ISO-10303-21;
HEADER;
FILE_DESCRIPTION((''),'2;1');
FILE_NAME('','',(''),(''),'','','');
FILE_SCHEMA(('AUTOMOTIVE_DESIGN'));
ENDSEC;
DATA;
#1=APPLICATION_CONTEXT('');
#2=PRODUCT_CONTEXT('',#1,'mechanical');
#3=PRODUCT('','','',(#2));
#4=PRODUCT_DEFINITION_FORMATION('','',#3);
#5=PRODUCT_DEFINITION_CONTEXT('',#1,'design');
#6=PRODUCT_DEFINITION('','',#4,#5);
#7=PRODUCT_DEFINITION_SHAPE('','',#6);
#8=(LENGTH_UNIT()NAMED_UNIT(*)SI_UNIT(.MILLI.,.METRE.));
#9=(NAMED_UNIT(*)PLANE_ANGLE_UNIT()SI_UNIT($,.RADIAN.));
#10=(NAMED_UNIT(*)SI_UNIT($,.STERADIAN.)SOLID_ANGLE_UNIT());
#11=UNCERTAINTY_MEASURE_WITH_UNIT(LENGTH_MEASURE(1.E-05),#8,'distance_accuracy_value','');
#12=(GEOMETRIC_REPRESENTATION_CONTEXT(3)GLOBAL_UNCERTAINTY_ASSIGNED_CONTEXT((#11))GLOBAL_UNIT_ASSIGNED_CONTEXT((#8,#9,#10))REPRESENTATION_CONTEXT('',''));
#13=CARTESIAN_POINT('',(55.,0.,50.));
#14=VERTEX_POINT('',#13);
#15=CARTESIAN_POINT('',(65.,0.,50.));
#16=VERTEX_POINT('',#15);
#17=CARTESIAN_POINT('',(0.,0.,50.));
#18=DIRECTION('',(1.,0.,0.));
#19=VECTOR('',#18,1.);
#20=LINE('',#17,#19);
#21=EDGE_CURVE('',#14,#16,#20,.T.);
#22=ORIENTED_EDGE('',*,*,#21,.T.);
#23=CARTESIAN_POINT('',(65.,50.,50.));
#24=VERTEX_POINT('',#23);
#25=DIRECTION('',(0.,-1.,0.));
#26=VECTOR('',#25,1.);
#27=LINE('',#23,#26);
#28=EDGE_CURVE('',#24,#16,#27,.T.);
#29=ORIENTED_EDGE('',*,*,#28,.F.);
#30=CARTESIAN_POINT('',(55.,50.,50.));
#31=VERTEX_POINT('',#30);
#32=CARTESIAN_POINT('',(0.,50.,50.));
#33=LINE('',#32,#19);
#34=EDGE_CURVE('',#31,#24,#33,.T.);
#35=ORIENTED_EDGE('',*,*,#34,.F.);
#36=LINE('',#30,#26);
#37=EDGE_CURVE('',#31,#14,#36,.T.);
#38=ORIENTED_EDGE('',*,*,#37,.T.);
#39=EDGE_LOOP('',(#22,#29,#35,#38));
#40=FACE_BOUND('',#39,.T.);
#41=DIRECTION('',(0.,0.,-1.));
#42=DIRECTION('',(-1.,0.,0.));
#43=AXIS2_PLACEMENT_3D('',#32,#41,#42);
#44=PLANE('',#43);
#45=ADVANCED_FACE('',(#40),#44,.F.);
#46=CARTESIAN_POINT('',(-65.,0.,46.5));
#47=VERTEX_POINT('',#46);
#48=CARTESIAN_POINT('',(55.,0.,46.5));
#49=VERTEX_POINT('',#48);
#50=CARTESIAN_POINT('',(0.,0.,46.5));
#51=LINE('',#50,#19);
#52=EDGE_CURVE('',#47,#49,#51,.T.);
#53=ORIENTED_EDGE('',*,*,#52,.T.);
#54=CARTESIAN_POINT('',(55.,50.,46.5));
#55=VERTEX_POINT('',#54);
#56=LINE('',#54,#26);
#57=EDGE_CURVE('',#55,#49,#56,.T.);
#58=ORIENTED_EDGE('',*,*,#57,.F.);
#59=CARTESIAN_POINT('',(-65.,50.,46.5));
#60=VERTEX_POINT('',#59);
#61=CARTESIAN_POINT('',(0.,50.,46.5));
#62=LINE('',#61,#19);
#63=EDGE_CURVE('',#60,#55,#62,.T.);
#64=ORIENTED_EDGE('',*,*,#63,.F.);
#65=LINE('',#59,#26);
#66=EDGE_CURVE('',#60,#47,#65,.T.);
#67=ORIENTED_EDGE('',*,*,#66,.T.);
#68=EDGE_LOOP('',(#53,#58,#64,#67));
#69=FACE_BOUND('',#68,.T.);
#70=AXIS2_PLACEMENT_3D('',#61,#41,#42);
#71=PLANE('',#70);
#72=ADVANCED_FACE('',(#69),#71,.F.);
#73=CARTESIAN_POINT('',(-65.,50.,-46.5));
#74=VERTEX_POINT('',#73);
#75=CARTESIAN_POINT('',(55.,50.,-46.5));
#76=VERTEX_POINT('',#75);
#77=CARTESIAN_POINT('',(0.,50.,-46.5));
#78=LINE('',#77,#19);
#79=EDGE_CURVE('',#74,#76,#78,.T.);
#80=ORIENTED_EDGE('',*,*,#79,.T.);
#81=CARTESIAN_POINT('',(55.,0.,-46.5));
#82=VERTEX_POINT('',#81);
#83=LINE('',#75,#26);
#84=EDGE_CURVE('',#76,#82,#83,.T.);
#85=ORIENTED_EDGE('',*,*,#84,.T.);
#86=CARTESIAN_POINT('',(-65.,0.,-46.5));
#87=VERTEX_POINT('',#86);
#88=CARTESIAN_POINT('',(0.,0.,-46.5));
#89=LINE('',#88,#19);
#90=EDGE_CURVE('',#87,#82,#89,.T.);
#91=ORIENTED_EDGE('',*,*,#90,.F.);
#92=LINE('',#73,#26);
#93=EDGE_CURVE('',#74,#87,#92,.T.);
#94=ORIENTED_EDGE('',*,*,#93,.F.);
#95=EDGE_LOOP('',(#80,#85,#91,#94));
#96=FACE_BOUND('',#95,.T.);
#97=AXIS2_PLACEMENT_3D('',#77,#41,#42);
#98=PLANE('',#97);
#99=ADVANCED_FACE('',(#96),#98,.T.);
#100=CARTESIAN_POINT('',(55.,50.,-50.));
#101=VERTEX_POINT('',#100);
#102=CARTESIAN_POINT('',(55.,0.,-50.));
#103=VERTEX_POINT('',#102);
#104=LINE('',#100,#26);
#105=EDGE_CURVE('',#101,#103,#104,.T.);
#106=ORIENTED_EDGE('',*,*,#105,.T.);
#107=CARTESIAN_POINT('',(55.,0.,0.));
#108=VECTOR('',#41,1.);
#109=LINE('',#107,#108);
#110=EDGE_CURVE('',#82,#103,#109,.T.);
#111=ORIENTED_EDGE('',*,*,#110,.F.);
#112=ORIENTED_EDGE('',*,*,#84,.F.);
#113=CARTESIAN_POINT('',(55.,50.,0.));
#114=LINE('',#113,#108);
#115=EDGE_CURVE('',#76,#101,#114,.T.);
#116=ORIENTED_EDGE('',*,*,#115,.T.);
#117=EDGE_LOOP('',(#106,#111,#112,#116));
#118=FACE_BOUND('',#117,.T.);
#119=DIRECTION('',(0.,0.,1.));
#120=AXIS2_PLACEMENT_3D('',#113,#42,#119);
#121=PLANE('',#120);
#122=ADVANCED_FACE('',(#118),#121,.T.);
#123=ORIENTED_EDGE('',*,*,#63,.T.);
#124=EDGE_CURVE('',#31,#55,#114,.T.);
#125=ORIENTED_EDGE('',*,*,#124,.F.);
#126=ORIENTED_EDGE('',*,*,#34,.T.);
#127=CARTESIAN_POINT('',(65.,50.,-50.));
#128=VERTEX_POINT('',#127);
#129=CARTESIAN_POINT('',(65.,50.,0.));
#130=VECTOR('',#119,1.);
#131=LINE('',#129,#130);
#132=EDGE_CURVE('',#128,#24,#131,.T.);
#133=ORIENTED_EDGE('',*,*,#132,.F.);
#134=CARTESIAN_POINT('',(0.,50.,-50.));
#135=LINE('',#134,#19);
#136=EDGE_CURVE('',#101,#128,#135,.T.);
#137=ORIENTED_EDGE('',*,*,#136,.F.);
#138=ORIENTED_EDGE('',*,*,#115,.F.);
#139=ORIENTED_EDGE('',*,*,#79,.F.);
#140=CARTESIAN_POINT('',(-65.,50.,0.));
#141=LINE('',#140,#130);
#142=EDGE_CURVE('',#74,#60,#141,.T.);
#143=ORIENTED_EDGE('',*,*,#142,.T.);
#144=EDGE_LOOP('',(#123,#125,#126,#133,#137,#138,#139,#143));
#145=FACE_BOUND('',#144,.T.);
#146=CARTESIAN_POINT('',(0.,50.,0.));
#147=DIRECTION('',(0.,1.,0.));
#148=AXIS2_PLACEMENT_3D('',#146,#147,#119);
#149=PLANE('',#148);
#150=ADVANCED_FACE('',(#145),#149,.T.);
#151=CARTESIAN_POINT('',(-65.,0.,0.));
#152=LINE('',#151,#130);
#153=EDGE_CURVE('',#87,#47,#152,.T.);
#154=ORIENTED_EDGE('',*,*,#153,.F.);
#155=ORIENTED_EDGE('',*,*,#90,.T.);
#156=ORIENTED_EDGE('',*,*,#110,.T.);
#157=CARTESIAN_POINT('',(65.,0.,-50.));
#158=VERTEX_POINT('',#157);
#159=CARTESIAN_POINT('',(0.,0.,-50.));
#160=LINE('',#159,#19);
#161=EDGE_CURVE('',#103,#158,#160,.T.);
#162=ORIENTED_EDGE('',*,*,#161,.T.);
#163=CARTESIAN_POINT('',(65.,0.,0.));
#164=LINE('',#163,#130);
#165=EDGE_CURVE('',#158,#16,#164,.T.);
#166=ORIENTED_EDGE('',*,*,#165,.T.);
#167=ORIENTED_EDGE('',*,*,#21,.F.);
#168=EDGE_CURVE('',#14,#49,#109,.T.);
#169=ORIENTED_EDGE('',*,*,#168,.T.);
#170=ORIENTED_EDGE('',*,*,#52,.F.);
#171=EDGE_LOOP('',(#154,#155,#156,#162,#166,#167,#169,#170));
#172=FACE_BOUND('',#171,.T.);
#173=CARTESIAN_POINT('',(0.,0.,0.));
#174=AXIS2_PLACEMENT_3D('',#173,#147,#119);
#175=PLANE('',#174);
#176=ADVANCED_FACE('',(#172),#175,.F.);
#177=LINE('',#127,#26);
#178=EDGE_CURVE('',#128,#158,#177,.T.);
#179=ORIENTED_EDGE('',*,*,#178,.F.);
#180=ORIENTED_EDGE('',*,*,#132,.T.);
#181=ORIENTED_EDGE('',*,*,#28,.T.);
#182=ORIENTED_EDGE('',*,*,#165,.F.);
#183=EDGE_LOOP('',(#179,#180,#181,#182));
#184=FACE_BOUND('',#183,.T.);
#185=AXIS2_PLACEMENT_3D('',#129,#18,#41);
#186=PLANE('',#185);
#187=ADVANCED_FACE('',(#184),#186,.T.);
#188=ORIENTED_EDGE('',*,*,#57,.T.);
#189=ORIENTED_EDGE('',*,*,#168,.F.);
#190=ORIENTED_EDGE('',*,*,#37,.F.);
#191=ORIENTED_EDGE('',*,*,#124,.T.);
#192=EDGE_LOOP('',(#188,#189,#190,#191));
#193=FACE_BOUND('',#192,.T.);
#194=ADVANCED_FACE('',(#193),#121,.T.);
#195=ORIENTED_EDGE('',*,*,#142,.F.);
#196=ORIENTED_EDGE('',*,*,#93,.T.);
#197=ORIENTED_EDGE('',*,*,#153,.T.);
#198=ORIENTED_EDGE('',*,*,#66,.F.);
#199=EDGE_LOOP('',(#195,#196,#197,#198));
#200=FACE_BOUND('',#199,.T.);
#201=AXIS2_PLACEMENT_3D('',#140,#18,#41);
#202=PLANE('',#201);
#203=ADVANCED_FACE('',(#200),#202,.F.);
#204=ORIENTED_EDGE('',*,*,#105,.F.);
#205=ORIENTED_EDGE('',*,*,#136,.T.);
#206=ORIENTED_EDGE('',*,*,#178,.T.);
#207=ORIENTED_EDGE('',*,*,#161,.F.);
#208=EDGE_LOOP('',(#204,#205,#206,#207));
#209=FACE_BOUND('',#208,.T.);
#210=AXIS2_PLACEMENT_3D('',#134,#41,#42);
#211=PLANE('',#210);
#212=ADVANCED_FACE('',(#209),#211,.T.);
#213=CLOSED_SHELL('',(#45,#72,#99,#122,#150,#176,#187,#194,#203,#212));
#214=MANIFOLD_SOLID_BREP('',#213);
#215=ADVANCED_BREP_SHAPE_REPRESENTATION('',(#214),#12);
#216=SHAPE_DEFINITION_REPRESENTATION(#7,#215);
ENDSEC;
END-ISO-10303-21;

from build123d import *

# Parameters (mm, degrees)
EXTRUDE_1_DEPTH = 50


with BuildPart() as part:
    # 草图1 → 凸台-拉伸1 (new body)
    with BuildSketch(Plane(origin=(0, 0, 0), x_dir=(1, 0, 0), z_dir=(0, 1, 0))):
        Polygon((55, 46.5), (55, 50), (65, 50), (65, -50), (55, -50), (55, -46.5), (-65, -46.5), (-65, 46.5), align=None)
    extrude(amount=EXTRUDE_1_DEPTH)


solid = part.part
